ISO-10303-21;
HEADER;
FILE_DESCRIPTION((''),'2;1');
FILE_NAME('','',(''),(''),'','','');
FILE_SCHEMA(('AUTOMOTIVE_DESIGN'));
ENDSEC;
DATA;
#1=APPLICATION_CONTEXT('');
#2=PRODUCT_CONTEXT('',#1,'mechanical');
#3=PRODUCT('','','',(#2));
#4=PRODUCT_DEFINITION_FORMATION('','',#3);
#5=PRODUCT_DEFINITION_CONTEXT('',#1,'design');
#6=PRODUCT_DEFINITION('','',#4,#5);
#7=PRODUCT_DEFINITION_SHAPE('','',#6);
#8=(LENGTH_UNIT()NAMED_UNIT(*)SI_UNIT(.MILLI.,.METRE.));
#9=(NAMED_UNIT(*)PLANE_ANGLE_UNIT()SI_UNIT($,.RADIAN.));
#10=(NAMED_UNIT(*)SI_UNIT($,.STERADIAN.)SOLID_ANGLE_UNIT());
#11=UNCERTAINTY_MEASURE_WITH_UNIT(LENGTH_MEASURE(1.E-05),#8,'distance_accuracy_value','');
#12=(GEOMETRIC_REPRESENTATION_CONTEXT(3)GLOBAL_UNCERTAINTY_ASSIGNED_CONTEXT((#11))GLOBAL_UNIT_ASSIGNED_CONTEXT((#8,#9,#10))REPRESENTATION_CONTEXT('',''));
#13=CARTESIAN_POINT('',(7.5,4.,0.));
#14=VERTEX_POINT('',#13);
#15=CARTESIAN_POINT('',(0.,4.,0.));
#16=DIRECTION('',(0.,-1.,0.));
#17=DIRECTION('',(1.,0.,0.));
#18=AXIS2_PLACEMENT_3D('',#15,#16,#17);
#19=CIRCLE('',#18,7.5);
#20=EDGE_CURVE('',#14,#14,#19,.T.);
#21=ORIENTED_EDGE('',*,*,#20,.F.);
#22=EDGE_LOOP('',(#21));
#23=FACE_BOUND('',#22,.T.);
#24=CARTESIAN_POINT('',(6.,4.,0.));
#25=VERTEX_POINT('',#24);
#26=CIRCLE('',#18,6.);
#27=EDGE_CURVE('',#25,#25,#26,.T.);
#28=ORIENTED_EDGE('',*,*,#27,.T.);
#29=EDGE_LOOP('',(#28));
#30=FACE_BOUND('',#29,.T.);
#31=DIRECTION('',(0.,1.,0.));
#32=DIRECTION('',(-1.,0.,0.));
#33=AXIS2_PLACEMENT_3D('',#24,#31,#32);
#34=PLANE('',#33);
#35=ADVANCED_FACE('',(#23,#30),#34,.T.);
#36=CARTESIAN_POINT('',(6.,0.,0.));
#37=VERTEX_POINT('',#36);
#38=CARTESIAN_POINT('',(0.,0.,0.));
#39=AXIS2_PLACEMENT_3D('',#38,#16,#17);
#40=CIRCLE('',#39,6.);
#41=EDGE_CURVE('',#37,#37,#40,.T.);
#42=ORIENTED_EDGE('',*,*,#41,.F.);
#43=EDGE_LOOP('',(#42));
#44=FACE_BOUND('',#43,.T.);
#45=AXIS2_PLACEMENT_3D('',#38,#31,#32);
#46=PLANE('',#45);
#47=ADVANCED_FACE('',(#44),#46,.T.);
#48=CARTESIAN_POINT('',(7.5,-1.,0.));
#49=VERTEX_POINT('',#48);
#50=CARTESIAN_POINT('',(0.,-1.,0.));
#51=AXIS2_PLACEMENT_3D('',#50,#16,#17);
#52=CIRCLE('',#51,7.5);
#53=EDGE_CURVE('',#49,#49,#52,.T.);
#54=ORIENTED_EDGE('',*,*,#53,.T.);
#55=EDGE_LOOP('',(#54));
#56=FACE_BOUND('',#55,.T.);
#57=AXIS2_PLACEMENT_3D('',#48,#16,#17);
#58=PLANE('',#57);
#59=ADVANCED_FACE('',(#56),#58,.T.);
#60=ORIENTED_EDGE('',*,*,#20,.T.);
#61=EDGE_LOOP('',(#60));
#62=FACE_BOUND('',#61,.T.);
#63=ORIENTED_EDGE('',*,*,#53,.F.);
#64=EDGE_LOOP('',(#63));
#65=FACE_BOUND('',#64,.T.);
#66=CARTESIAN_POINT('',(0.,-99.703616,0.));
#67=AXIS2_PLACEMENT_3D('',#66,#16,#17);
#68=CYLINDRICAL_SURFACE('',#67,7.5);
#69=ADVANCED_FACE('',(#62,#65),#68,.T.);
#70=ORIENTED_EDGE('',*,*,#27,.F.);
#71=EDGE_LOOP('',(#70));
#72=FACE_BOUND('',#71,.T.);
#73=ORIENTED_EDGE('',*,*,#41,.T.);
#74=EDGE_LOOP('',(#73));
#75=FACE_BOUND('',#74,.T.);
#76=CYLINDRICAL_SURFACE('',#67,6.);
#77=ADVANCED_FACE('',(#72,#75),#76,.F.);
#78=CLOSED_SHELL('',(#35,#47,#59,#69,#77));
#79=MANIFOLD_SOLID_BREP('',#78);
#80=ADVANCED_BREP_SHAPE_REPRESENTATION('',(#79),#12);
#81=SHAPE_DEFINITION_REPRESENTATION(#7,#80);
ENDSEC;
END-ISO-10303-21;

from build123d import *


with BuildPart() as part:
    # Sketch1 → Revolve1 (revolve)
    with BuildSketch(Plane.XY):
        Polygon((0, 0), (6, 0), (6, 4), (7.5, 4), (7.5, -1), (0, -1), align=None)
    revolve(axis=Axis((0, -99.703616051, 0), (0, 1, 0)))


solid = part.part
